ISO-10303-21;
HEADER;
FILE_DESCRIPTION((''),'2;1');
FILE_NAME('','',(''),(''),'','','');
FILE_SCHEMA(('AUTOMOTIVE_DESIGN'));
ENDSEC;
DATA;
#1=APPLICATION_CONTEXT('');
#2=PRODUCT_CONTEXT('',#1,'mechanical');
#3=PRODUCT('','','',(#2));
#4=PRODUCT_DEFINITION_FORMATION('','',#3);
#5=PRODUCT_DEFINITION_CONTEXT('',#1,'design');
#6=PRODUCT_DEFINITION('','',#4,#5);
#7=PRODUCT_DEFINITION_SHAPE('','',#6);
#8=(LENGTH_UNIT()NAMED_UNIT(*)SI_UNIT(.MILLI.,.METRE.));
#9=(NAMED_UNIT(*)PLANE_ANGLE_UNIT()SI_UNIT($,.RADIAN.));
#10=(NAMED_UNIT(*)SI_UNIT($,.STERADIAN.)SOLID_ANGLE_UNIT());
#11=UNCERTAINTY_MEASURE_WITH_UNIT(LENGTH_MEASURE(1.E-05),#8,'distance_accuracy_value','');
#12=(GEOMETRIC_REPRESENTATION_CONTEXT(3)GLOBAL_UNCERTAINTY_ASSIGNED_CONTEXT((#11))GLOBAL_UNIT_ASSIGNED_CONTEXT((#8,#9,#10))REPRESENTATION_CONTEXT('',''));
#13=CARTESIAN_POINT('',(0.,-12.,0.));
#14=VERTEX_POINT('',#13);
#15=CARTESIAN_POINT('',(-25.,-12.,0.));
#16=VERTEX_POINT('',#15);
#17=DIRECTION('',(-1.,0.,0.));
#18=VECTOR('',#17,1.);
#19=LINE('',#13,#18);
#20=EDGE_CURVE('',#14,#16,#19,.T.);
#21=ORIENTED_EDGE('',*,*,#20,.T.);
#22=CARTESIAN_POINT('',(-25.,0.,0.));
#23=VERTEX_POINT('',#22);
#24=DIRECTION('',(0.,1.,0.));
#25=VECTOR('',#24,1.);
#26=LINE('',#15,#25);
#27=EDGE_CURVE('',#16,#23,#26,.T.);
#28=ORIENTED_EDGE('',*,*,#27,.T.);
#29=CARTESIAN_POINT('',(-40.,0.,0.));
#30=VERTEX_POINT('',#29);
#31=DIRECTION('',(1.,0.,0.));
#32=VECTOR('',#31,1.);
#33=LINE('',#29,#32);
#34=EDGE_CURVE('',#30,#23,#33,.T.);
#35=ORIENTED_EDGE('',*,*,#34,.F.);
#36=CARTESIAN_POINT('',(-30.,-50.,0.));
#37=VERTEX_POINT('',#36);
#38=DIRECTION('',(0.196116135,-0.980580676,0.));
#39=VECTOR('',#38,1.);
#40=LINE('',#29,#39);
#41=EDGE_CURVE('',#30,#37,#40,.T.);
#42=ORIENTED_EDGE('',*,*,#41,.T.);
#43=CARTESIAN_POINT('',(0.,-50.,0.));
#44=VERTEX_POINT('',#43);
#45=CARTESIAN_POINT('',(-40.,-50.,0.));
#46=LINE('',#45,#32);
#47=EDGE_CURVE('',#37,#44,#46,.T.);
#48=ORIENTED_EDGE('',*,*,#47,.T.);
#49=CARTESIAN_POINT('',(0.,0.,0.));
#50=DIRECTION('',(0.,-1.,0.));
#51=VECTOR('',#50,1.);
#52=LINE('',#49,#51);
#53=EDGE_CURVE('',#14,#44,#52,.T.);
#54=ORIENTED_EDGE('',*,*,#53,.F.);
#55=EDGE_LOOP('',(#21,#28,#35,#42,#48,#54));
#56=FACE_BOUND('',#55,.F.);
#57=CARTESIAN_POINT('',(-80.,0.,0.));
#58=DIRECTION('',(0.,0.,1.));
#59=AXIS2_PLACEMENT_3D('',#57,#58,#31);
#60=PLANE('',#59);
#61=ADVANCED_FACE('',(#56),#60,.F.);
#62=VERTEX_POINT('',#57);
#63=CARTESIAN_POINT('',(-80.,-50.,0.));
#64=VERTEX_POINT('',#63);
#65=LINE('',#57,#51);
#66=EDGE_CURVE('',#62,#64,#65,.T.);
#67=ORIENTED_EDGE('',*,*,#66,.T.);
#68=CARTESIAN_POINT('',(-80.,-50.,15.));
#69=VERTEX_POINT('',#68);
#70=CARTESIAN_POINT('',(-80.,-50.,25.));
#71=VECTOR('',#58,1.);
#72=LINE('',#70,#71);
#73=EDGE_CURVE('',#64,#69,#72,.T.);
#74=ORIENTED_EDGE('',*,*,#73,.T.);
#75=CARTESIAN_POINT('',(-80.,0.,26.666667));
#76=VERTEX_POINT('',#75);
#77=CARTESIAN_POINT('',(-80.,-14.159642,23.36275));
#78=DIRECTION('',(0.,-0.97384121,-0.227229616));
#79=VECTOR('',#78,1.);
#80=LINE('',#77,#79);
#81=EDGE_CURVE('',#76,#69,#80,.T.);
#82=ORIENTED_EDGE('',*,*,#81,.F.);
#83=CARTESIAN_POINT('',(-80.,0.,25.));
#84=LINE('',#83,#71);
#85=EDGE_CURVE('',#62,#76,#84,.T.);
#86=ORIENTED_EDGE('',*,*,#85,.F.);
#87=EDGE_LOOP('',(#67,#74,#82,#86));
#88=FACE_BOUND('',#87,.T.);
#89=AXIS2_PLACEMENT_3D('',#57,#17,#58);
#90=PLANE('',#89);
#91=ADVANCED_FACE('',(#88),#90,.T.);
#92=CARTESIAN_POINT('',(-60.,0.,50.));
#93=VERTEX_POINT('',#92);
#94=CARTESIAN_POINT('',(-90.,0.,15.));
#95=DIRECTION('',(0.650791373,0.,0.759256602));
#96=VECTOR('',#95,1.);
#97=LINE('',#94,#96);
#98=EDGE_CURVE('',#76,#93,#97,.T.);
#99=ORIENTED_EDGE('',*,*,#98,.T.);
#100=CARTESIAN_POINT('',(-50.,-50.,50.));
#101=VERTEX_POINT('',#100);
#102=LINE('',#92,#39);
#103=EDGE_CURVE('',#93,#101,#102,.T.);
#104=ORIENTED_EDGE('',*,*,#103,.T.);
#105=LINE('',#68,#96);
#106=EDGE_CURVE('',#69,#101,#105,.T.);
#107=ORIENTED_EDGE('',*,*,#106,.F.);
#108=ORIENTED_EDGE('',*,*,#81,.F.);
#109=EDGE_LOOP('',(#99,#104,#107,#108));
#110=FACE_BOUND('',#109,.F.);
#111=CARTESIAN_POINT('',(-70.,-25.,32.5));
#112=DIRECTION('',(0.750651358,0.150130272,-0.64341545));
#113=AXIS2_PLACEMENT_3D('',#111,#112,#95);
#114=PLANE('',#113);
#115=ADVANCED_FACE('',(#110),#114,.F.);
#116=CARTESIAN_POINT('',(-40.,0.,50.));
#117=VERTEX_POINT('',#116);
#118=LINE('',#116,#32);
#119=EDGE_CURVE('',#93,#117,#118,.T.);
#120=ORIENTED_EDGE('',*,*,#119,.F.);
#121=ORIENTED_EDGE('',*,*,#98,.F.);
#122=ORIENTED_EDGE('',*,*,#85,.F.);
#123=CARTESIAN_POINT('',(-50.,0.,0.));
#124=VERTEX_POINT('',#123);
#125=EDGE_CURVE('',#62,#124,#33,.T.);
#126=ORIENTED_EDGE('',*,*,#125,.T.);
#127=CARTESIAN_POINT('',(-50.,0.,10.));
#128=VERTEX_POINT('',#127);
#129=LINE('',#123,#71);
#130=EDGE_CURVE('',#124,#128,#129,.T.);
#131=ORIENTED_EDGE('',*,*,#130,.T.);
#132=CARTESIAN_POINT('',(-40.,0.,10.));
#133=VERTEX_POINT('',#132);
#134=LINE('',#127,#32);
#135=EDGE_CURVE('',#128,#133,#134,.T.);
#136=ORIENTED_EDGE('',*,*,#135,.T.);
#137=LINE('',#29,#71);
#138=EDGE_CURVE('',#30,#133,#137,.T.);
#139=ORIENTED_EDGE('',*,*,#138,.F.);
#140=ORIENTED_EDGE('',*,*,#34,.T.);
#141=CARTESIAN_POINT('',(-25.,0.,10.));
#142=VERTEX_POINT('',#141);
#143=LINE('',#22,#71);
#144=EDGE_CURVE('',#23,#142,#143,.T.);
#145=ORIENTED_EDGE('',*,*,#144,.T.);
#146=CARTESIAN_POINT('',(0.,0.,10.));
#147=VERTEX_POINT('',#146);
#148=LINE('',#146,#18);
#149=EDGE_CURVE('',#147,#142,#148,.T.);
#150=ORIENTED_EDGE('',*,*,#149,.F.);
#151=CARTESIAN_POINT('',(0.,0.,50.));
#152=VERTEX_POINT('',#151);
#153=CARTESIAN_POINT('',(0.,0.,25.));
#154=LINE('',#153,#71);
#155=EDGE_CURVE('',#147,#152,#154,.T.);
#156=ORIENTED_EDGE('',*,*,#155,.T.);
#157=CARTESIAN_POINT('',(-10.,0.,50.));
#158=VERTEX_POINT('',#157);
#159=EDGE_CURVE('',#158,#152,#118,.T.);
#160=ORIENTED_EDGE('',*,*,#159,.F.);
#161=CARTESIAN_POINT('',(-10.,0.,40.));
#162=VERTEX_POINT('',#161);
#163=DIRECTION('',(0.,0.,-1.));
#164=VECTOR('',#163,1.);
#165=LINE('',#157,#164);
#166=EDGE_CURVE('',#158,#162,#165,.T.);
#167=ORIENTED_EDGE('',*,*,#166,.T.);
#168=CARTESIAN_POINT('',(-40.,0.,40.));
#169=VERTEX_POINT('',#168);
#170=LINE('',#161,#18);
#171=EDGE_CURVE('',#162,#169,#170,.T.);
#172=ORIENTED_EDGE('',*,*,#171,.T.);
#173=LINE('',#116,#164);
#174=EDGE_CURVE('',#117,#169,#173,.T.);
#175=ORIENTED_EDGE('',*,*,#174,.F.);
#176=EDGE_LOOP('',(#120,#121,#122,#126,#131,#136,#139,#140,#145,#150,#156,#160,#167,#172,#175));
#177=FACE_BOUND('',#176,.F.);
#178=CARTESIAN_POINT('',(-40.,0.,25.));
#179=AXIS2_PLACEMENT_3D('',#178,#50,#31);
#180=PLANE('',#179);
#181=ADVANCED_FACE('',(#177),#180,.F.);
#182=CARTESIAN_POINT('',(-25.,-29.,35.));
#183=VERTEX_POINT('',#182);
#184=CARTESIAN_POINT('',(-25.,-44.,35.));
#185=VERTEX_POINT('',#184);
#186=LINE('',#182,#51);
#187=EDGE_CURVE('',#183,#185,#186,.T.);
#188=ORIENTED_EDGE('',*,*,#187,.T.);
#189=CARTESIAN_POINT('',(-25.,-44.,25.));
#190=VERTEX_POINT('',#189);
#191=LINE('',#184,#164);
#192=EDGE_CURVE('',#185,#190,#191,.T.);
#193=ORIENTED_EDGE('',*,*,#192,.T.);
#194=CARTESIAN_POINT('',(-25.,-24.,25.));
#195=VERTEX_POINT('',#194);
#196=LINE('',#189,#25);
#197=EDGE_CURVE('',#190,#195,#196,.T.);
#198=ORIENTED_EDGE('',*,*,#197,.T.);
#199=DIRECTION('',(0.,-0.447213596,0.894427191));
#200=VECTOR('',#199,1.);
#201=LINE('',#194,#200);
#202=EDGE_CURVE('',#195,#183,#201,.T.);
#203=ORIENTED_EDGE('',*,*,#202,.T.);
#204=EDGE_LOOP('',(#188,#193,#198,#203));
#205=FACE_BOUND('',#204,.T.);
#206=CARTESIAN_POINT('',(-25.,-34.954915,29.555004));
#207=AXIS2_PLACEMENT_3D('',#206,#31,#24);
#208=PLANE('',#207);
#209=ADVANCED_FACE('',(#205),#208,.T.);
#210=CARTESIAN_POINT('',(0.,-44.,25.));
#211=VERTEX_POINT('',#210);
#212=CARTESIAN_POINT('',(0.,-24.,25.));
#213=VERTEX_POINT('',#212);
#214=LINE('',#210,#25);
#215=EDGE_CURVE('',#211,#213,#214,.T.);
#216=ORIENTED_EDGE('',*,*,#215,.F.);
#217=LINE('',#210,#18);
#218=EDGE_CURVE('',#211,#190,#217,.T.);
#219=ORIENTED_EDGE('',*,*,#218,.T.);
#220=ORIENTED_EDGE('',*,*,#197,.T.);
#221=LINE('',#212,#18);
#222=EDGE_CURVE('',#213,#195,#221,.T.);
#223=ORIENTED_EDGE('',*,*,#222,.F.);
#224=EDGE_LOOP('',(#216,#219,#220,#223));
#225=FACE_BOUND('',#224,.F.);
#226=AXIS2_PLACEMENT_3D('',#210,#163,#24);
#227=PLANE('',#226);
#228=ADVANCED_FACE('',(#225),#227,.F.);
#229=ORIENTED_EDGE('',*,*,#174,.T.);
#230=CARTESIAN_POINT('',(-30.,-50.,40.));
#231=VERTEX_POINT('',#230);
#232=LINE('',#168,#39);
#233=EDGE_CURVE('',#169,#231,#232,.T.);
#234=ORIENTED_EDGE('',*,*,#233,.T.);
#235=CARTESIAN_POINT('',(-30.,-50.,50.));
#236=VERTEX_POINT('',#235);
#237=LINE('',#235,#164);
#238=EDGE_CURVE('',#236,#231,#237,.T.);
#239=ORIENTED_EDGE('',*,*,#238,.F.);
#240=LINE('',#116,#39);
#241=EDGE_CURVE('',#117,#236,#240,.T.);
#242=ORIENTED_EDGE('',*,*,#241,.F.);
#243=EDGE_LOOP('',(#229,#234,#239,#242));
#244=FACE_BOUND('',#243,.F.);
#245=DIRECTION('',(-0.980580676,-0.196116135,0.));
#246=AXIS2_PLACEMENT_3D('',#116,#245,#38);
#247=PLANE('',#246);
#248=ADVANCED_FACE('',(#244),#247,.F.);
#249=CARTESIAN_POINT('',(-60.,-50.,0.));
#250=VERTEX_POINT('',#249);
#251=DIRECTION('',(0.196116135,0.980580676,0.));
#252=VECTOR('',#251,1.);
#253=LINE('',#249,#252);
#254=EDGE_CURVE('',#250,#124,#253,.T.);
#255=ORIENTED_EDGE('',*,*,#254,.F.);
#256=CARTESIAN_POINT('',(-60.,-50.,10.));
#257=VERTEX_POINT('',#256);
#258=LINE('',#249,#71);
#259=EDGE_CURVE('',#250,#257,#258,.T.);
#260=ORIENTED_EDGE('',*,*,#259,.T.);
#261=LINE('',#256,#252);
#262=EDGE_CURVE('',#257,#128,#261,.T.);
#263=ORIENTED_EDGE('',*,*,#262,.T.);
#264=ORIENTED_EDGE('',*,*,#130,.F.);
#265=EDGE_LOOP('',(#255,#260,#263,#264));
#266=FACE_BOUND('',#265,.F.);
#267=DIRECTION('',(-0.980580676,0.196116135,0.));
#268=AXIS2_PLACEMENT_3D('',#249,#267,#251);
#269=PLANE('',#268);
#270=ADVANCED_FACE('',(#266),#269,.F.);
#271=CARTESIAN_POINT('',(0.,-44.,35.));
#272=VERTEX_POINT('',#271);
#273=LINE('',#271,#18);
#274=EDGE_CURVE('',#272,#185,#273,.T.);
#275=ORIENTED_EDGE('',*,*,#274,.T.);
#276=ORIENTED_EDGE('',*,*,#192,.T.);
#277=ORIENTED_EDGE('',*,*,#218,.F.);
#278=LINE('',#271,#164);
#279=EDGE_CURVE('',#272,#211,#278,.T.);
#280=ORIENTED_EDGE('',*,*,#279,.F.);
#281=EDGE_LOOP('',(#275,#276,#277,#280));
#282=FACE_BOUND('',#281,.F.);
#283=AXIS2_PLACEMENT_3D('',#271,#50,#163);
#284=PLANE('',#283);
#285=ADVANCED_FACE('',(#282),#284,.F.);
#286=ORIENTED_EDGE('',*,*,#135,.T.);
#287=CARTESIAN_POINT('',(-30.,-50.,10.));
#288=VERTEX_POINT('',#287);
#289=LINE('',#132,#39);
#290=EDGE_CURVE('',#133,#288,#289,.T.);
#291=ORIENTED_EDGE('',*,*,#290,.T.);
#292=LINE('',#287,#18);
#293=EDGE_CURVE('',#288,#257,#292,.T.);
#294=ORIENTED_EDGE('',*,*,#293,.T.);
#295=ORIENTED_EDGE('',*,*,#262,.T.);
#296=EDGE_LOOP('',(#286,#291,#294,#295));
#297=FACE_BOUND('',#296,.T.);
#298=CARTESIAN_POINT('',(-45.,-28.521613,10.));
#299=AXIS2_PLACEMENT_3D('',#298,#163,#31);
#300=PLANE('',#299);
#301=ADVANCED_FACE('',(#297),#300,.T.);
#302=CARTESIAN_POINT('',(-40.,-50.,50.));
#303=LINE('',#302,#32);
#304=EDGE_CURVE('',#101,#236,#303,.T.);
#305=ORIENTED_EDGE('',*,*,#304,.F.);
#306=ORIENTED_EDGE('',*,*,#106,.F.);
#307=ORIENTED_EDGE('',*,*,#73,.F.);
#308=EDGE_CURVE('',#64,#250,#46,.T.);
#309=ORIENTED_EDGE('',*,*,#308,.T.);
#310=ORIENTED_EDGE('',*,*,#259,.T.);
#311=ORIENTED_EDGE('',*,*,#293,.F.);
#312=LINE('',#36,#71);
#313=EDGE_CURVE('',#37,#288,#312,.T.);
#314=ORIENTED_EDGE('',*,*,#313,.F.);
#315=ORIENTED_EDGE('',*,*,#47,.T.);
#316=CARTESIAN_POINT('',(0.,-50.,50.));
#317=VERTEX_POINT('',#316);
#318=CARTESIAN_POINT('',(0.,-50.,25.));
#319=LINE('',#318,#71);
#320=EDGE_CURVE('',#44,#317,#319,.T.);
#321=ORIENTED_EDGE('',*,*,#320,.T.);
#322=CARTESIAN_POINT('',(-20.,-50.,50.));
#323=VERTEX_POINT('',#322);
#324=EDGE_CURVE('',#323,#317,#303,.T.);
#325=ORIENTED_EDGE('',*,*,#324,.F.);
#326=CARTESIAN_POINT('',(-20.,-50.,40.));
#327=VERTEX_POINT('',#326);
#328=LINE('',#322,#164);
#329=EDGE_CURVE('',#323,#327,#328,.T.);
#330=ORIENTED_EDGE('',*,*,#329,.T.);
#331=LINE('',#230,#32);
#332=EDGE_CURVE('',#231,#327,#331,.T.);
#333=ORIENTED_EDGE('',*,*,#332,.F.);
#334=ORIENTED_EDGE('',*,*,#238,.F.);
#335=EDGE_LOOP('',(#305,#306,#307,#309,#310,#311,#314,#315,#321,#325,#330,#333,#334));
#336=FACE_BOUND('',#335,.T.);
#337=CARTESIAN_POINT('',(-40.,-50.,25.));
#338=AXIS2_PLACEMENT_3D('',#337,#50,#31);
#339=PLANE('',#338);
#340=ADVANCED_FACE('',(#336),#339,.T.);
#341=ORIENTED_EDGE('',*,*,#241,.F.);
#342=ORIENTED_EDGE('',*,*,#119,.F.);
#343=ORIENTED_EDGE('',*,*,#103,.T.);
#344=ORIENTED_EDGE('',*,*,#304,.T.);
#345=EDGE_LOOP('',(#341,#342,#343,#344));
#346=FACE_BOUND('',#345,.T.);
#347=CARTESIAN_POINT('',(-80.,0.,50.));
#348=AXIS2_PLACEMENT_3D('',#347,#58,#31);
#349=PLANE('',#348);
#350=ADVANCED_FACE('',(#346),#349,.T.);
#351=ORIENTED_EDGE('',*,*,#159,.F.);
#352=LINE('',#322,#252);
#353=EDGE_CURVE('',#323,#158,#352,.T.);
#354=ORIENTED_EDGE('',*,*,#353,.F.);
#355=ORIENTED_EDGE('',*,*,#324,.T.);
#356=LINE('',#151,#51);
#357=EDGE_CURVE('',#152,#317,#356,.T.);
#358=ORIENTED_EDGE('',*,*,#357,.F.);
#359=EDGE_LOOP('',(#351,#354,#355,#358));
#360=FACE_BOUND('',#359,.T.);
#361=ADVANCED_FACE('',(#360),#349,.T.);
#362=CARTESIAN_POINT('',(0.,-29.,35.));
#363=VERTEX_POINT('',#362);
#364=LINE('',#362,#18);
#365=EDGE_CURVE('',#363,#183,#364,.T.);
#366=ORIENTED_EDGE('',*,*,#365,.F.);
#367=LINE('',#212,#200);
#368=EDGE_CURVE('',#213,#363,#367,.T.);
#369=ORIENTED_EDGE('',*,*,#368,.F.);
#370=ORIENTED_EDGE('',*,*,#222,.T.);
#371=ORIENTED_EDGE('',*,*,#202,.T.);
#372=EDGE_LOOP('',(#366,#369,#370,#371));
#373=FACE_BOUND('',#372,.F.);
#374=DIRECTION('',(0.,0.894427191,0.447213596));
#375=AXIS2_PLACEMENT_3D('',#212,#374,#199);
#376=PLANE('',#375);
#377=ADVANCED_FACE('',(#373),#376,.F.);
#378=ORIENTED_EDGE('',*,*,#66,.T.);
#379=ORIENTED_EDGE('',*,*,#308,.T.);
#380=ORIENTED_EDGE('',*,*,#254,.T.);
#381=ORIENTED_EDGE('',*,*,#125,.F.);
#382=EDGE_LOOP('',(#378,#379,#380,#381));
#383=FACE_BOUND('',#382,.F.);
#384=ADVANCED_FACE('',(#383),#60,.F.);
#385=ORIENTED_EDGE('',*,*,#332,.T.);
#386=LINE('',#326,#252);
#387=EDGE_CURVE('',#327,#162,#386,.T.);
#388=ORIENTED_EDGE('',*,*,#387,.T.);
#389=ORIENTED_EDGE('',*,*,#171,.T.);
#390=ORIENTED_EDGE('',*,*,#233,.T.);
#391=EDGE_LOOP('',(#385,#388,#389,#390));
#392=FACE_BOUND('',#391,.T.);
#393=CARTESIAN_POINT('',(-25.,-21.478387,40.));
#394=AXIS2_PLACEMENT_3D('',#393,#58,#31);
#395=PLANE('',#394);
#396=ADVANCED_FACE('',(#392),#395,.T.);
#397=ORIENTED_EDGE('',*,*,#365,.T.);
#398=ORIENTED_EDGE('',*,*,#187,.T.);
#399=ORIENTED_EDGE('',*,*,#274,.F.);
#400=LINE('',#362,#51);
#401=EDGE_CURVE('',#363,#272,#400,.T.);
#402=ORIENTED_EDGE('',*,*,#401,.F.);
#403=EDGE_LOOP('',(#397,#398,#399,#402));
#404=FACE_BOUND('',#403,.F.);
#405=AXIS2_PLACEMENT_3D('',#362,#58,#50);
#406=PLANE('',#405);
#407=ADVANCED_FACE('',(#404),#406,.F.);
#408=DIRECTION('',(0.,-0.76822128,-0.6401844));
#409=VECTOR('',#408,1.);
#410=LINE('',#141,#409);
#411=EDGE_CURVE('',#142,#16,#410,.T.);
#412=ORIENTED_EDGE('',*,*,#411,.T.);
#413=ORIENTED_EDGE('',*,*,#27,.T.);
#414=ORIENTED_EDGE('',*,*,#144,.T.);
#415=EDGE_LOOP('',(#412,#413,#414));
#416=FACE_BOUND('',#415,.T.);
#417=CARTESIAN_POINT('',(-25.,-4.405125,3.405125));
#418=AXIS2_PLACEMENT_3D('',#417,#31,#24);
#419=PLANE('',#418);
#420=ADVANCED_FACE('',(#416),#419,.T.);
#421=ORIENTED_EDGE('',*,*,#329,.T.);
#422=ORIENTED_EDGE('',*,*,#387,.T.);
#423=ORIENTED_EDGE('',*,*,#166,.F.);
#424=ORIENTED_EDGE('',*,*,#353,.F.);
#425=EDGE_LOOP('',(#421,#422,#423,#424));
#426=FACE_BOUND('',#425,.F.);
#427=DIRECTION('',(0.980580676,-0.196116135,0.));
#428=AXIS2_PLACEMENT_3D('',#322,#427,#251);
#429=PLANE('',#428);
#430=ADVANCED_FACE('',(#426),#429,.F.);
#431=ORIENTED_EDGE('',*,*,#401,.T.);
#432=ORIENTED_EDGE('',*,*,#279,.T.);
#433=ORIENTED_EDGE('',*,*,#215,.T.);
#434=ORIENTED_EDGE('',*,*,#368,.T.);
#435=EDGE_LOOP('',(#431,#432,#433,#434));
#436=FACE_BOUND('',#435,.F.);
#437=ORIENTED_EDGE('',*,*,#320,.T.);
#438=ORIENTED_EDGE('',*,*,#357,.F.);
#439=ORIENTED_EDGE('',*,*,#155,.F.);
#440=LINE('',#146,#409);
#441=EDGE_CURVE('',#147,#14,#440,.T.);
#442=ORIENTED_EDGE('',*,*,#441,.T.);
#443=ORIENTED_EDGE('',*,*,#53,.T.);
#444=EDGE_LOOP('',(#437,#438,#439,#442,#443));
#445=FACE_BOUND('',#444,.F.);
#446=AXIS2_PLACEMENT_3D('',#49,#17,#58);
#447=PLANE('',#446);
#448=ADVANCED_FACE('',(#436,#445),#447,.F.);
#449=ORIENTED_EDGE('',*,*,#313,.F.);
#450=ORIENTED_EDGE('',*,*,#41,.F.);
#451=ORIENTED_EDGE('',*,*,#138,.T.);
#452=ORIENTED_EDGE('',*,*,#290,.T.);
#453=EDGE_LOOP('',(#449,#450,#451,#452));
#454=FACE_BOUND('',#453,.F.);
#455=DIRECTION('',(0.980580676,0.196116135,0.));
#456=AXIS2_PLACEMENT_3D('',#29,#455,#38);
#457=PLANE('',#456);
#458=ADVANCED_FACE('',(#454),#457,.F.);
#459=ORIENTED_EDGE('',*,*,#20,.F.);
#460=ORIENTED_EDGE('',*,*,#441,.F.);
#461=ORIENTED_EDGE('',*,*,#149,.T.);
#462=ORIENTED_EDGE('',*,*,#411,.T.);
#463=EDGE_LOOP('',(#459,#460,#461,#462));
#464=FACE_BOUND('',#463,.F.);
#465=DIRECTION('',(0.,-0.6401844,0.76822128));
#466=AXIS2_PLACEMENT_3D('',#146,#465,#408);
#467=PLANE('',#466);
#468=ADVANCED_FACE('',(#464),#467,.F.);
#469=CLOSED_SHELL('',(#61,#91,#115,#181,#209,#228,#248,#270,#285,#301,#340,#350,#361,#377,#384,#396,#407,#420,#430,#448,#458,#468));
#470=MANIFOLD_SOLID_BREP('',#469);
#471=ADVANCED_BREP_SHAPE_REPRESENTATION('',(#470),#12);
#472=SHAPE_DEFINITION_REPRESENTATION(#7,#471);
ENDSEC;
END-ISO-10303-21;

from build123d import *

# Parameters (mm, degrees)
F0_W     = 80
F0_H     = 50
F1_DEPTH = 50
F3_DEPTH = 10
F5_DEPTH = 10
F7_DEPTH = 25
F9_DEPTH = 25


with BuildPart() as f1:
    # F0 (on Front) → F1 (new body)
    with BuildSketch(Plane.XZ):
        with Locations((-40, 25)):
            Rectangle(F0_W, F0_H)
    extrude(amount=F1_DEPTH)

    # F2 (on face) → F3 (cut)
    with BuildSketch(Plane(origin=(0, 0, 0), x_dir=(1, 0, 0), z_dir=(0, 0, -1))):
        Polygon((-30, 50), (-60, 50), (-50, 0), (-40, 0), align=None)
    extrude(amount=-F3_DEPTH, mode=Mode.SUBTRACT)

    # F4 (on face) → F5 (cut)
    with BuildSketch(Plane.XY.offset(50)):
        Polygon((-40, 0), (-30, -50), (-20, -50), (-10, 0), align=None)
    extrude(amount=-F5_DEPTH, mode=Mode.SUBTRACT)

    # F6 (on face) → F7 (cut)
    with BuildSketch(Plane.YZ):
        Polygon((-29, 35), (-44, 35), (-44, 25), (-24, 25), align=None)
    extrude(amount=-F7_DEPTH, mode=Mode.SUBTRACT)

    # F8 (on face) → F9 (cut)
    with BuildSketch(Plane.YZ):
        Polygon((0, 10), (-12, 0), (0, 0), align=None)
    extrude(amount=-F9_DEPTH, mode=Mode.SUBTRACT)

    # F13: sweep along a path in F12
    with BuildLine(Plane.XY.offset(50)) as f13_path:
        Line((-60, 0), (-50, -50))
    # F10 (on face) → F13 (sweep, cut)
    with BuildSketch(Plane.XZ.offset(50)):
        Polygon((-50, 50), (-80, 50), (-80, 15), align=None)
    sweep(path=f13_path.line, mode=Mode.SUBTRACT)


solid = f1.part
